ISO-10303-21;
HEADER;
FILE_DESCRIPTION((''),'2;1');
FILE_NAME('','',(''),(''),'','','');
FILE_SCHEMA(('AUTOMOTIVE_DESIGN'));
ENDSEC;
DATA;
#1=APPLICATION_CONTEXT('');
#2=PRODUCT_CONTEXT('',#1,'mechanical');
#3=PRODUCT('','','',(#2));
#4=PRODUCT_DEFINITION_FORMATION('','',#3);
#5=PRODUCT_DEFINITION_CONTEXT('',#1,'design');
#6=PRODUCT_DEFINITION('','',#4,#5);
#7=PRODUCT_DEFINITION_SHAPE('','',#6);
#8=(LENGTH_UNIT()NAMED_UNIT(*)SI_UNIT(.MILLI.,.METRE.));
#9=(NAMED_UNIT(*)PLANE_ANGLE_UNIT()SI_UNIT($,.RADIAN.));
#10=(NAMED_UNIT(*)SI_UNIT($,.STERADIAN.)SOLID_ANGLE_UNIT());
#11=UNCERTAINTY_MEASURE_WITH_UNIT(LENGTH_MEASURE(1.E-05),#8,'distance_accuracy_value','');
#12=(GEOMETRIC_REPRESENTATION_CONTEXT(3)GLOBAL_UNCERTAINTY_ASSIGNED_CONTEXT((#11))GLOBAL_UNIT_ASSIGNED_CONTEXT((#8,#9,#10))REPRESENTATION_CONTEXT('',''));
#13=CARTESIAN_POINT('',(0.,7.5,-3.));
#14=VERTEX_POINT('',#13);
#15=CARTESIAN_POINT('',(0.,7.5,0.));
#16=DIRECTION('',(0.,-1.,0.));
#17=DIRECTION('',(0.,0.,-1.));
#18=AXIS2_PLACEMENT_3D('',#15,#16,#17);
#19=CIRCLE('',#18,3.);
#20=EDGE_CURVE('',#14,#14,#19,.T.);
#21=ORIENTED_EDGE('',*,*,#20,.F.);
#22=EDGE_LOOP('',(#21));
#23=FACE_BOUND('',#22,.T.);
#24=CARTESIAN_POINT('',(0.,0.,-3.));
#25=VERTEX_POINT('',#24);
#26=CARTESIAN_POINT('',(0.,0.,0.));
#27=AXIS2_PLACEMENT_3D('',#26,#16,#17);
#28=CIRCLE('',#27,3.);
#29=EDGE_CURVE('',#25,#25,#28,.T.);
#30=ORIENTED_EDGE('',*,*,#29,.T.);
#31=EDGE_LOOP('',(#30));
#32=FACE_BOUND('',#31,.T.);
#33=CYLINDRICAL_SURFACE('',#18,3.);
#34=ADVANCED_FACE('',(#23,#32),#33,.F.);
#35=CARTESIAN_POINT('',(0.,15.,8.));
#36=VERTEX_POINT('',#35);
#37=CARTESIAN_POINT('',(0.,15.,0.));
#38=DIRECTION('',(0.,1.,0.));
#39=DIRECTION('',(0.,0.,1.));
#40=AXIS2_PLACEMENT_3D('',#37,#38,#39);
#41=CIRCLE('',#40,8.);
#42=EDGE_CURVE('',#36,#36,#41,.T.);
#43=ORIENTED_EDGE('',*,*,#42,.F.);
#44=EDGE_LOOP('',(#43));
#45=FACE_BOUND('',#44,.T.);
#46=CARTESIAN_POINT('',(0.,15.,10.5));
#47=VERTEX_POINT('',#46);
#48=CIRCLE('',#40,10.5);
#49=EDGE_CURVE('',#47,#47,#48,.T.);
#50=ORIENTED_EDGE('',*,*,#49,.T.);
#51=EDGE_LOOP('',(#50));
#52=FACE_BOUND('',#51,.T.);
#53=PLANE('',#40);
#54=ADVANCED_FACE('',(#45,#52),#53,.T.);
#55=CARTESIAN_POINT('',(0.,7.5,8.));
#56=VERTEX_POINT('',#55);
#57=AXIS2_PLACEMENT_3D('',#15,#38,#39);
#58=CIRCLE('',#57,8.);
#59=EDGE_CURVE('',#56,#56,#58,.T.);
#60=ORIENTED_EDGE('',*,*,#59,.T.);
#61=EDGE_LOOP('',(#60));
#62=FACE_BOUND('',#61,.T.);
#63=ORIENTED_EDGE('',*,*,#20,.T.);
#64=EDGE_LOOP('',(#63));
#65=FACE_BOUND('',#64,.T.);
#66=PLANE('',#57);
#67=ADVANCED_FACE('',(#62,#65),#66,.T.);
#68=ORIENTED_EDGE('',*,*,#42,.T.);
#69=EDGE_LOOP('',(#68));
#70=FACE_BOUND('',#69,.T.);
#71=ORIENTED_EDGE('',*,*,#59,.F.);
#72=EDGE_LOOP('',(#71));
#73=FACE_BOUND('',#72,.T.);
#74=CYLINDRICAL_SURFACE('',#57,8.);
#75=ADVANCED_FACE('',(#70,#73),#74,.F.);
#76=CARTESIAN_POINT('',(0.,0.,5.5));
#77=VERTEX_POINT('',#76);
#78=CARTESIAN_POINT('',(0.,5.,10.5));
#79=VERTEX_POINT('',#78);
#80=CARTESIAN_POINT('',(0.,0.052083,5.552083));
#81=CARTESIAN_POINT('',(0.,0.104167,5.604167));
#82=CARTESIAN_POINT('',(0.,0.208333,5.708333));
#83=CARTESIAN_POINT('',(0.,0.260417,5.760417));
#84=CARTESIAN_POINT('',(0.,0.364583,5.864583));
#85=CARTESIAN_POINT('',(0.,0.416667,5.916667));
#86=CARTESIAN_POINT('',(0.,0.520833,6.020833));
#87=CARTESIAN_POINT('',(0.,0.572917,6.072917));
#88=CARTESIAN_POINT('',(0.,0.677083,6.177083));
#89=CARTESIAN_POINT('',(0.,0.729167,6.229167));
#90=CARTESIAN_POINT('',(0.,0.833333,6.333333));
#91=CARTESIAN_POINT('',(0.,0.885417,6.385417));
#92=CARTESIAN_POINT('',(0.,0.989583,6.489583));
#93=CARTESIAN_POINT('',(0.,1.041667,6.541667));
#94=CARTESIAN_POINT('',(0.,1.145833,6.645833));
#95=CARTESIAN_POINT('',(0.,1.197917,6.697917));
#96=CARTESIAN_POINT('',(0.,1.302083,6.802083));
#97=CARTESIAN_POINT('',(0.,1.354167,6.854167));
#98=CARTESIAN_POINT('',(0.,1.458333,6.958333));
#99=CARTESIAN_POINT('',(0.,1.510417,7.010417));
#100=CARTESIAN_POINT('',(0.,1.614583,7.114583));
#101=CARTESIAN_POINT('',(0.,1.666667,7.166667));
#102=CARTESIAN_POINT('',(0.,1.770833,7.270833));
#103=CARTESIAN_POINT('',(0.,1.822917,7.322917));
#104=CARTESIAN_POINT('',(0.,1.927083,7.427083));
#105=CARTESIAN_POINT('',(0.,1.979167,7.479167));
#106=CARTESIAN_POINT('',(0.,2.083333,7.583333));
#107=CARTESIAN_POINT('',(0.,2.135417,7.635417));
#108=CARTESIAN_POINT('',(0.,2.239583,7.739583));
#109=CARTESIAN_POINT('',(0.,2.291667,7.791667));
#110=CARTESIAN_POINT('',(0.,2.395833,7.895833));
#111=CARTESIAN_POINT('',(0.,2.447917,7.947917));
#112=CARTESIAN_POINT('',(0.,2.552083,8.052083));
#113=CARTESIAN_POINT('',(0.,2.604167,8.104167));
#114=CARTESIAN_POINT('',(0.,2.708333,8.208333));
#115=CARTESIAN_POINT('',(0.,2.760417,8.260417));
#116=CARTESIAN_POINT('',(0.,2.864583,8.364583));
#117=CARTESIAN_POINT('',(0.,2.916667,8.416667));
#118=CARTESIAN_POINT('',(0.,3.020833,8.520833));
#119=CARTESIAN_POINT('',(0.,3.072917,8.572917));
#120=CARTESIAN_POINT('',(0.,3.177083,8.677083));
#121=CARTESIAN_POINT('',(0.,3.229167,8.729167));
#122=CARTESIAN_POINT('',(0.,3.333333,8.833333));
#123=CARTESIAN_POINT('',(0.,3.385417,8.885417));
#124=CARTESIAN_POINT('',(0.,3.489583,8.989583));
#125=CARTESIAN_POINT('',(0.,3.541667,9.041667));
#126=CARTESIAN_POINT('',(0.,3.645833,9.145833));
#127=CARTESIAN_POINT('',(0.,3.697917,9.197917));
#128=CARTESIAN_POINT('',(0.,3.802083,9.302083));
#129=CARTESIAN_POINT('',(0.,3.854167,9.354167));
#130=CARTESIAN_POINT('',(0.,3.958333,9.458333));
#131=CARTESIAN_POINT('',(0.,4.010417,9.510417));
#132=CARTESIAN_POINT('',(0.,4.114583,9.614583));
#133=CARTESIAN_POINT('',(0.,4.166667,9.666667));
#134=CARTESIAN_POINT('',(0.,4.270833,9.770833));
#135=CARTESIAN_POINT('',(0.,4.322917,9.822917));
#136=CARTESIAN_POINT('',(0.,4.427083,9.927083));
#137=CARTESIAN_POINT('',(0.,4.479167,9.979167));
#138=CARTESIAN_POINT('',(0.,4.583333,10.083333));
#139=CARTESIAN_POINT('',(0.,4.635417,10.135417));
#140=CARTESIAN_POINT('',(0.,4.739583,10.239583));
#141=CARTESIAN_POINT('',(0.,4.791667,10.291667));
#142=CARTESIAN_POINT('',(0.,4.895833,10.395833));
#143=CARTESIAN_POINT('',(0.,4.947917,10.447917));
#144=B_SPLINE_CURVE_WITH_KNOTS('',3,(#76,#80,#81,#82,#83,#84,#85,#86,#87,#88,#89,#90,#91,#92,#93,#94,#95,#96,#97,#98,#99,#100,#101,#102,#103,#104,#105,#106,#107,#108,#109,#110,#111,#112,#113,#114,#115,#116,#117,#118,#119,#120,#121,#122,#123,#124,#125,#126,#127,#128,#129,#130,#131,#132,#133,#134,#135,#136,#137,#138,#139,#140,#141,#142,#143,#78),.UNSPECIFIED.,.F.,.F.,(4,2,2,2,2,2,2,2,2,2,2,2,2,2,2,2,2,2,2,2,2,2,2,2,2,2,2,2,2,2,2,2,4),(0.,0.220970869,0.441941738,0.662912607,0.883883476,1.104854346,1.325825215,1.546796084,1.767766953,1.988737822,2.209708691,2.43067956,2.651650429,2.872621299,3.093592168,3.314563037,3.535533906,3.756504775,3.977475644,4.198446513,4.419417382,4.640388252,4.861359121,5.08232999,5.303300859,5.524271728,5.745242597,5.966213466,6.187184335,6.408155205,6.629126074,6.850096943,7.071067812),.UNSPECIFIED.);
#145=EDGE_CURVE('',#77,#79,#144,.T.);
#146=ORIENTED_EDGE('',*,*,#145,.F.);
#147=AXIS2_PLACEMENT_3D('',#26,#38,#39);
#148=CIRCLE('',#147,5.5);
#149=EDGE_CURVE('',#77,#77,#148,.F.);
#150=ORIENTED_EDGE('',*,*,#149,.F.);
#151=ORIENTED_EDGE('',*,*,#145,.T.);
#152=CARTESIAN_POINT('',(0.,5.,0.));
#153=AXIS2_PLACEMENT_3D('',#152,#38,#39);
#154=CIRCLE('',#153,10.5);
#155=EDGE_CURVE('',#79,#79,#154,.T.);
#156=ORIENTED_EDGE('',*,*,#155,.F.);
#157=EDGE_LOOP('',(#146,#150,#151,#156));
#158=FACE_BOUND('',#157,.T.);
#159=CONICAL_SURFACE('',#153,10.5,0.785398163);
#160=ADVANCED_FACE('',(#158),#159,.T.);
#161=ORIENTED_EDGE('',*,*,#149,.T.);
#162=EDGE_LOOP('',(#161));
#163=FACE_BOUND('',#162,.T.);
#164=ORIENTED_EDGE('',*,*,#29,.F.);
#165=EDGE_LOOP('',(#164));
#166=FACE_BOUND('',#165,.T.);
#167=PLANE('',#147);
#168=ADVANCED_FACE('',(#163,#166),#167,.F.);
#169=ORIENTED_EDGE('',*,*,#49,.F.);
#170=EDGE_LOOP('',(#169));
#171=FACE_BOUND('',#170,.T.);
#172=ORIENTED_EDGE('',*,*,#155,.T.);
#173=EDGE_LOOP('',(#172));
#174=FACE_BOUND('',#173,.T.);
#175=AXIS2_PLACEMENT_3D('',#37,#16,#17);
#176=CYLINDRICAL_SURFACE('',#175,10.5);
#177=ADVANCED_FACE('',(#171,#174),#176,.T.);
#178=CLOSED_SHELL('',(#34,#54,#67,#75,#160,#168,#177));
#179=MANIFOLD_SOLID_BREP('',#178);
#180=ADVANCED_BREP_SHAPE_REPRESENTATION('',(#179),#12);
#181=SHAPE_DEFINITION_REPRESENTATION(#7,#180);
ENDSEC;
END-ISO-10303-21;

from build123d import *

# Parameters (mm, degrees)
SKETCH1_R           = 10.5
BOSS_EXTRUDE1_DEPTH = 15
SKETCH2_R           = 8
CUT_EXTRUDE1_DEPTH  = 7.5
SKETCH3_R           = 3
CUT_EXTRUDE2_DEPTH  = 7.5
CHAMFER1_SIZE       = 5


with BuildPart() as part:
    # Sketch1 → Boss-Extrude1 (new body)
    with BuildSketch(Plane(origin=(0, 0, 0), x_dir=(1, 0, 0), z_dir=(0, 1, 0))):
        with Locations(Location((0, 0, 0), (0, 0, 270))):
            Circle(SKETCH1_R)
    extrude(amount=BOSS_EXTRUDE1_DEPTH)

    # Sketch2 → Cut-Extrude1 (cut)
    with BuildSketch(Plane(origin=(0, 15, 0), x_dir=(1, 0, 0), z_dir=(0, 1, 0))):
        with Locations(Location((0, 0, 0), (0, 0, 270))):
            Circle(SKETCH2_R)
    extrude(amount=-CUT_EXTRUDE1_DEPTH, mode=Mode.SUBTRACT)

    # Sketch3 → Cut-Extrude2 (cut)
    with BuildSketch(Plane.XZ):
        with Locations(Location((0, 0, 0), (0, 0, 270))):
            Circle(SKETCH3_R)
    extrude(amount=-CUT_EXTRUDE2_DEPTH, mode=Mode.SUBTRACT)

    # Chamfer1
    chamfer1_edges = [part.edges().sort_by_distance(p)[0] for p in [
        (0, 0, -10.5),
    ]]
    chamfer(chamfer1_edges, length=CHAMFER1_SIZE)


solid = part.part
